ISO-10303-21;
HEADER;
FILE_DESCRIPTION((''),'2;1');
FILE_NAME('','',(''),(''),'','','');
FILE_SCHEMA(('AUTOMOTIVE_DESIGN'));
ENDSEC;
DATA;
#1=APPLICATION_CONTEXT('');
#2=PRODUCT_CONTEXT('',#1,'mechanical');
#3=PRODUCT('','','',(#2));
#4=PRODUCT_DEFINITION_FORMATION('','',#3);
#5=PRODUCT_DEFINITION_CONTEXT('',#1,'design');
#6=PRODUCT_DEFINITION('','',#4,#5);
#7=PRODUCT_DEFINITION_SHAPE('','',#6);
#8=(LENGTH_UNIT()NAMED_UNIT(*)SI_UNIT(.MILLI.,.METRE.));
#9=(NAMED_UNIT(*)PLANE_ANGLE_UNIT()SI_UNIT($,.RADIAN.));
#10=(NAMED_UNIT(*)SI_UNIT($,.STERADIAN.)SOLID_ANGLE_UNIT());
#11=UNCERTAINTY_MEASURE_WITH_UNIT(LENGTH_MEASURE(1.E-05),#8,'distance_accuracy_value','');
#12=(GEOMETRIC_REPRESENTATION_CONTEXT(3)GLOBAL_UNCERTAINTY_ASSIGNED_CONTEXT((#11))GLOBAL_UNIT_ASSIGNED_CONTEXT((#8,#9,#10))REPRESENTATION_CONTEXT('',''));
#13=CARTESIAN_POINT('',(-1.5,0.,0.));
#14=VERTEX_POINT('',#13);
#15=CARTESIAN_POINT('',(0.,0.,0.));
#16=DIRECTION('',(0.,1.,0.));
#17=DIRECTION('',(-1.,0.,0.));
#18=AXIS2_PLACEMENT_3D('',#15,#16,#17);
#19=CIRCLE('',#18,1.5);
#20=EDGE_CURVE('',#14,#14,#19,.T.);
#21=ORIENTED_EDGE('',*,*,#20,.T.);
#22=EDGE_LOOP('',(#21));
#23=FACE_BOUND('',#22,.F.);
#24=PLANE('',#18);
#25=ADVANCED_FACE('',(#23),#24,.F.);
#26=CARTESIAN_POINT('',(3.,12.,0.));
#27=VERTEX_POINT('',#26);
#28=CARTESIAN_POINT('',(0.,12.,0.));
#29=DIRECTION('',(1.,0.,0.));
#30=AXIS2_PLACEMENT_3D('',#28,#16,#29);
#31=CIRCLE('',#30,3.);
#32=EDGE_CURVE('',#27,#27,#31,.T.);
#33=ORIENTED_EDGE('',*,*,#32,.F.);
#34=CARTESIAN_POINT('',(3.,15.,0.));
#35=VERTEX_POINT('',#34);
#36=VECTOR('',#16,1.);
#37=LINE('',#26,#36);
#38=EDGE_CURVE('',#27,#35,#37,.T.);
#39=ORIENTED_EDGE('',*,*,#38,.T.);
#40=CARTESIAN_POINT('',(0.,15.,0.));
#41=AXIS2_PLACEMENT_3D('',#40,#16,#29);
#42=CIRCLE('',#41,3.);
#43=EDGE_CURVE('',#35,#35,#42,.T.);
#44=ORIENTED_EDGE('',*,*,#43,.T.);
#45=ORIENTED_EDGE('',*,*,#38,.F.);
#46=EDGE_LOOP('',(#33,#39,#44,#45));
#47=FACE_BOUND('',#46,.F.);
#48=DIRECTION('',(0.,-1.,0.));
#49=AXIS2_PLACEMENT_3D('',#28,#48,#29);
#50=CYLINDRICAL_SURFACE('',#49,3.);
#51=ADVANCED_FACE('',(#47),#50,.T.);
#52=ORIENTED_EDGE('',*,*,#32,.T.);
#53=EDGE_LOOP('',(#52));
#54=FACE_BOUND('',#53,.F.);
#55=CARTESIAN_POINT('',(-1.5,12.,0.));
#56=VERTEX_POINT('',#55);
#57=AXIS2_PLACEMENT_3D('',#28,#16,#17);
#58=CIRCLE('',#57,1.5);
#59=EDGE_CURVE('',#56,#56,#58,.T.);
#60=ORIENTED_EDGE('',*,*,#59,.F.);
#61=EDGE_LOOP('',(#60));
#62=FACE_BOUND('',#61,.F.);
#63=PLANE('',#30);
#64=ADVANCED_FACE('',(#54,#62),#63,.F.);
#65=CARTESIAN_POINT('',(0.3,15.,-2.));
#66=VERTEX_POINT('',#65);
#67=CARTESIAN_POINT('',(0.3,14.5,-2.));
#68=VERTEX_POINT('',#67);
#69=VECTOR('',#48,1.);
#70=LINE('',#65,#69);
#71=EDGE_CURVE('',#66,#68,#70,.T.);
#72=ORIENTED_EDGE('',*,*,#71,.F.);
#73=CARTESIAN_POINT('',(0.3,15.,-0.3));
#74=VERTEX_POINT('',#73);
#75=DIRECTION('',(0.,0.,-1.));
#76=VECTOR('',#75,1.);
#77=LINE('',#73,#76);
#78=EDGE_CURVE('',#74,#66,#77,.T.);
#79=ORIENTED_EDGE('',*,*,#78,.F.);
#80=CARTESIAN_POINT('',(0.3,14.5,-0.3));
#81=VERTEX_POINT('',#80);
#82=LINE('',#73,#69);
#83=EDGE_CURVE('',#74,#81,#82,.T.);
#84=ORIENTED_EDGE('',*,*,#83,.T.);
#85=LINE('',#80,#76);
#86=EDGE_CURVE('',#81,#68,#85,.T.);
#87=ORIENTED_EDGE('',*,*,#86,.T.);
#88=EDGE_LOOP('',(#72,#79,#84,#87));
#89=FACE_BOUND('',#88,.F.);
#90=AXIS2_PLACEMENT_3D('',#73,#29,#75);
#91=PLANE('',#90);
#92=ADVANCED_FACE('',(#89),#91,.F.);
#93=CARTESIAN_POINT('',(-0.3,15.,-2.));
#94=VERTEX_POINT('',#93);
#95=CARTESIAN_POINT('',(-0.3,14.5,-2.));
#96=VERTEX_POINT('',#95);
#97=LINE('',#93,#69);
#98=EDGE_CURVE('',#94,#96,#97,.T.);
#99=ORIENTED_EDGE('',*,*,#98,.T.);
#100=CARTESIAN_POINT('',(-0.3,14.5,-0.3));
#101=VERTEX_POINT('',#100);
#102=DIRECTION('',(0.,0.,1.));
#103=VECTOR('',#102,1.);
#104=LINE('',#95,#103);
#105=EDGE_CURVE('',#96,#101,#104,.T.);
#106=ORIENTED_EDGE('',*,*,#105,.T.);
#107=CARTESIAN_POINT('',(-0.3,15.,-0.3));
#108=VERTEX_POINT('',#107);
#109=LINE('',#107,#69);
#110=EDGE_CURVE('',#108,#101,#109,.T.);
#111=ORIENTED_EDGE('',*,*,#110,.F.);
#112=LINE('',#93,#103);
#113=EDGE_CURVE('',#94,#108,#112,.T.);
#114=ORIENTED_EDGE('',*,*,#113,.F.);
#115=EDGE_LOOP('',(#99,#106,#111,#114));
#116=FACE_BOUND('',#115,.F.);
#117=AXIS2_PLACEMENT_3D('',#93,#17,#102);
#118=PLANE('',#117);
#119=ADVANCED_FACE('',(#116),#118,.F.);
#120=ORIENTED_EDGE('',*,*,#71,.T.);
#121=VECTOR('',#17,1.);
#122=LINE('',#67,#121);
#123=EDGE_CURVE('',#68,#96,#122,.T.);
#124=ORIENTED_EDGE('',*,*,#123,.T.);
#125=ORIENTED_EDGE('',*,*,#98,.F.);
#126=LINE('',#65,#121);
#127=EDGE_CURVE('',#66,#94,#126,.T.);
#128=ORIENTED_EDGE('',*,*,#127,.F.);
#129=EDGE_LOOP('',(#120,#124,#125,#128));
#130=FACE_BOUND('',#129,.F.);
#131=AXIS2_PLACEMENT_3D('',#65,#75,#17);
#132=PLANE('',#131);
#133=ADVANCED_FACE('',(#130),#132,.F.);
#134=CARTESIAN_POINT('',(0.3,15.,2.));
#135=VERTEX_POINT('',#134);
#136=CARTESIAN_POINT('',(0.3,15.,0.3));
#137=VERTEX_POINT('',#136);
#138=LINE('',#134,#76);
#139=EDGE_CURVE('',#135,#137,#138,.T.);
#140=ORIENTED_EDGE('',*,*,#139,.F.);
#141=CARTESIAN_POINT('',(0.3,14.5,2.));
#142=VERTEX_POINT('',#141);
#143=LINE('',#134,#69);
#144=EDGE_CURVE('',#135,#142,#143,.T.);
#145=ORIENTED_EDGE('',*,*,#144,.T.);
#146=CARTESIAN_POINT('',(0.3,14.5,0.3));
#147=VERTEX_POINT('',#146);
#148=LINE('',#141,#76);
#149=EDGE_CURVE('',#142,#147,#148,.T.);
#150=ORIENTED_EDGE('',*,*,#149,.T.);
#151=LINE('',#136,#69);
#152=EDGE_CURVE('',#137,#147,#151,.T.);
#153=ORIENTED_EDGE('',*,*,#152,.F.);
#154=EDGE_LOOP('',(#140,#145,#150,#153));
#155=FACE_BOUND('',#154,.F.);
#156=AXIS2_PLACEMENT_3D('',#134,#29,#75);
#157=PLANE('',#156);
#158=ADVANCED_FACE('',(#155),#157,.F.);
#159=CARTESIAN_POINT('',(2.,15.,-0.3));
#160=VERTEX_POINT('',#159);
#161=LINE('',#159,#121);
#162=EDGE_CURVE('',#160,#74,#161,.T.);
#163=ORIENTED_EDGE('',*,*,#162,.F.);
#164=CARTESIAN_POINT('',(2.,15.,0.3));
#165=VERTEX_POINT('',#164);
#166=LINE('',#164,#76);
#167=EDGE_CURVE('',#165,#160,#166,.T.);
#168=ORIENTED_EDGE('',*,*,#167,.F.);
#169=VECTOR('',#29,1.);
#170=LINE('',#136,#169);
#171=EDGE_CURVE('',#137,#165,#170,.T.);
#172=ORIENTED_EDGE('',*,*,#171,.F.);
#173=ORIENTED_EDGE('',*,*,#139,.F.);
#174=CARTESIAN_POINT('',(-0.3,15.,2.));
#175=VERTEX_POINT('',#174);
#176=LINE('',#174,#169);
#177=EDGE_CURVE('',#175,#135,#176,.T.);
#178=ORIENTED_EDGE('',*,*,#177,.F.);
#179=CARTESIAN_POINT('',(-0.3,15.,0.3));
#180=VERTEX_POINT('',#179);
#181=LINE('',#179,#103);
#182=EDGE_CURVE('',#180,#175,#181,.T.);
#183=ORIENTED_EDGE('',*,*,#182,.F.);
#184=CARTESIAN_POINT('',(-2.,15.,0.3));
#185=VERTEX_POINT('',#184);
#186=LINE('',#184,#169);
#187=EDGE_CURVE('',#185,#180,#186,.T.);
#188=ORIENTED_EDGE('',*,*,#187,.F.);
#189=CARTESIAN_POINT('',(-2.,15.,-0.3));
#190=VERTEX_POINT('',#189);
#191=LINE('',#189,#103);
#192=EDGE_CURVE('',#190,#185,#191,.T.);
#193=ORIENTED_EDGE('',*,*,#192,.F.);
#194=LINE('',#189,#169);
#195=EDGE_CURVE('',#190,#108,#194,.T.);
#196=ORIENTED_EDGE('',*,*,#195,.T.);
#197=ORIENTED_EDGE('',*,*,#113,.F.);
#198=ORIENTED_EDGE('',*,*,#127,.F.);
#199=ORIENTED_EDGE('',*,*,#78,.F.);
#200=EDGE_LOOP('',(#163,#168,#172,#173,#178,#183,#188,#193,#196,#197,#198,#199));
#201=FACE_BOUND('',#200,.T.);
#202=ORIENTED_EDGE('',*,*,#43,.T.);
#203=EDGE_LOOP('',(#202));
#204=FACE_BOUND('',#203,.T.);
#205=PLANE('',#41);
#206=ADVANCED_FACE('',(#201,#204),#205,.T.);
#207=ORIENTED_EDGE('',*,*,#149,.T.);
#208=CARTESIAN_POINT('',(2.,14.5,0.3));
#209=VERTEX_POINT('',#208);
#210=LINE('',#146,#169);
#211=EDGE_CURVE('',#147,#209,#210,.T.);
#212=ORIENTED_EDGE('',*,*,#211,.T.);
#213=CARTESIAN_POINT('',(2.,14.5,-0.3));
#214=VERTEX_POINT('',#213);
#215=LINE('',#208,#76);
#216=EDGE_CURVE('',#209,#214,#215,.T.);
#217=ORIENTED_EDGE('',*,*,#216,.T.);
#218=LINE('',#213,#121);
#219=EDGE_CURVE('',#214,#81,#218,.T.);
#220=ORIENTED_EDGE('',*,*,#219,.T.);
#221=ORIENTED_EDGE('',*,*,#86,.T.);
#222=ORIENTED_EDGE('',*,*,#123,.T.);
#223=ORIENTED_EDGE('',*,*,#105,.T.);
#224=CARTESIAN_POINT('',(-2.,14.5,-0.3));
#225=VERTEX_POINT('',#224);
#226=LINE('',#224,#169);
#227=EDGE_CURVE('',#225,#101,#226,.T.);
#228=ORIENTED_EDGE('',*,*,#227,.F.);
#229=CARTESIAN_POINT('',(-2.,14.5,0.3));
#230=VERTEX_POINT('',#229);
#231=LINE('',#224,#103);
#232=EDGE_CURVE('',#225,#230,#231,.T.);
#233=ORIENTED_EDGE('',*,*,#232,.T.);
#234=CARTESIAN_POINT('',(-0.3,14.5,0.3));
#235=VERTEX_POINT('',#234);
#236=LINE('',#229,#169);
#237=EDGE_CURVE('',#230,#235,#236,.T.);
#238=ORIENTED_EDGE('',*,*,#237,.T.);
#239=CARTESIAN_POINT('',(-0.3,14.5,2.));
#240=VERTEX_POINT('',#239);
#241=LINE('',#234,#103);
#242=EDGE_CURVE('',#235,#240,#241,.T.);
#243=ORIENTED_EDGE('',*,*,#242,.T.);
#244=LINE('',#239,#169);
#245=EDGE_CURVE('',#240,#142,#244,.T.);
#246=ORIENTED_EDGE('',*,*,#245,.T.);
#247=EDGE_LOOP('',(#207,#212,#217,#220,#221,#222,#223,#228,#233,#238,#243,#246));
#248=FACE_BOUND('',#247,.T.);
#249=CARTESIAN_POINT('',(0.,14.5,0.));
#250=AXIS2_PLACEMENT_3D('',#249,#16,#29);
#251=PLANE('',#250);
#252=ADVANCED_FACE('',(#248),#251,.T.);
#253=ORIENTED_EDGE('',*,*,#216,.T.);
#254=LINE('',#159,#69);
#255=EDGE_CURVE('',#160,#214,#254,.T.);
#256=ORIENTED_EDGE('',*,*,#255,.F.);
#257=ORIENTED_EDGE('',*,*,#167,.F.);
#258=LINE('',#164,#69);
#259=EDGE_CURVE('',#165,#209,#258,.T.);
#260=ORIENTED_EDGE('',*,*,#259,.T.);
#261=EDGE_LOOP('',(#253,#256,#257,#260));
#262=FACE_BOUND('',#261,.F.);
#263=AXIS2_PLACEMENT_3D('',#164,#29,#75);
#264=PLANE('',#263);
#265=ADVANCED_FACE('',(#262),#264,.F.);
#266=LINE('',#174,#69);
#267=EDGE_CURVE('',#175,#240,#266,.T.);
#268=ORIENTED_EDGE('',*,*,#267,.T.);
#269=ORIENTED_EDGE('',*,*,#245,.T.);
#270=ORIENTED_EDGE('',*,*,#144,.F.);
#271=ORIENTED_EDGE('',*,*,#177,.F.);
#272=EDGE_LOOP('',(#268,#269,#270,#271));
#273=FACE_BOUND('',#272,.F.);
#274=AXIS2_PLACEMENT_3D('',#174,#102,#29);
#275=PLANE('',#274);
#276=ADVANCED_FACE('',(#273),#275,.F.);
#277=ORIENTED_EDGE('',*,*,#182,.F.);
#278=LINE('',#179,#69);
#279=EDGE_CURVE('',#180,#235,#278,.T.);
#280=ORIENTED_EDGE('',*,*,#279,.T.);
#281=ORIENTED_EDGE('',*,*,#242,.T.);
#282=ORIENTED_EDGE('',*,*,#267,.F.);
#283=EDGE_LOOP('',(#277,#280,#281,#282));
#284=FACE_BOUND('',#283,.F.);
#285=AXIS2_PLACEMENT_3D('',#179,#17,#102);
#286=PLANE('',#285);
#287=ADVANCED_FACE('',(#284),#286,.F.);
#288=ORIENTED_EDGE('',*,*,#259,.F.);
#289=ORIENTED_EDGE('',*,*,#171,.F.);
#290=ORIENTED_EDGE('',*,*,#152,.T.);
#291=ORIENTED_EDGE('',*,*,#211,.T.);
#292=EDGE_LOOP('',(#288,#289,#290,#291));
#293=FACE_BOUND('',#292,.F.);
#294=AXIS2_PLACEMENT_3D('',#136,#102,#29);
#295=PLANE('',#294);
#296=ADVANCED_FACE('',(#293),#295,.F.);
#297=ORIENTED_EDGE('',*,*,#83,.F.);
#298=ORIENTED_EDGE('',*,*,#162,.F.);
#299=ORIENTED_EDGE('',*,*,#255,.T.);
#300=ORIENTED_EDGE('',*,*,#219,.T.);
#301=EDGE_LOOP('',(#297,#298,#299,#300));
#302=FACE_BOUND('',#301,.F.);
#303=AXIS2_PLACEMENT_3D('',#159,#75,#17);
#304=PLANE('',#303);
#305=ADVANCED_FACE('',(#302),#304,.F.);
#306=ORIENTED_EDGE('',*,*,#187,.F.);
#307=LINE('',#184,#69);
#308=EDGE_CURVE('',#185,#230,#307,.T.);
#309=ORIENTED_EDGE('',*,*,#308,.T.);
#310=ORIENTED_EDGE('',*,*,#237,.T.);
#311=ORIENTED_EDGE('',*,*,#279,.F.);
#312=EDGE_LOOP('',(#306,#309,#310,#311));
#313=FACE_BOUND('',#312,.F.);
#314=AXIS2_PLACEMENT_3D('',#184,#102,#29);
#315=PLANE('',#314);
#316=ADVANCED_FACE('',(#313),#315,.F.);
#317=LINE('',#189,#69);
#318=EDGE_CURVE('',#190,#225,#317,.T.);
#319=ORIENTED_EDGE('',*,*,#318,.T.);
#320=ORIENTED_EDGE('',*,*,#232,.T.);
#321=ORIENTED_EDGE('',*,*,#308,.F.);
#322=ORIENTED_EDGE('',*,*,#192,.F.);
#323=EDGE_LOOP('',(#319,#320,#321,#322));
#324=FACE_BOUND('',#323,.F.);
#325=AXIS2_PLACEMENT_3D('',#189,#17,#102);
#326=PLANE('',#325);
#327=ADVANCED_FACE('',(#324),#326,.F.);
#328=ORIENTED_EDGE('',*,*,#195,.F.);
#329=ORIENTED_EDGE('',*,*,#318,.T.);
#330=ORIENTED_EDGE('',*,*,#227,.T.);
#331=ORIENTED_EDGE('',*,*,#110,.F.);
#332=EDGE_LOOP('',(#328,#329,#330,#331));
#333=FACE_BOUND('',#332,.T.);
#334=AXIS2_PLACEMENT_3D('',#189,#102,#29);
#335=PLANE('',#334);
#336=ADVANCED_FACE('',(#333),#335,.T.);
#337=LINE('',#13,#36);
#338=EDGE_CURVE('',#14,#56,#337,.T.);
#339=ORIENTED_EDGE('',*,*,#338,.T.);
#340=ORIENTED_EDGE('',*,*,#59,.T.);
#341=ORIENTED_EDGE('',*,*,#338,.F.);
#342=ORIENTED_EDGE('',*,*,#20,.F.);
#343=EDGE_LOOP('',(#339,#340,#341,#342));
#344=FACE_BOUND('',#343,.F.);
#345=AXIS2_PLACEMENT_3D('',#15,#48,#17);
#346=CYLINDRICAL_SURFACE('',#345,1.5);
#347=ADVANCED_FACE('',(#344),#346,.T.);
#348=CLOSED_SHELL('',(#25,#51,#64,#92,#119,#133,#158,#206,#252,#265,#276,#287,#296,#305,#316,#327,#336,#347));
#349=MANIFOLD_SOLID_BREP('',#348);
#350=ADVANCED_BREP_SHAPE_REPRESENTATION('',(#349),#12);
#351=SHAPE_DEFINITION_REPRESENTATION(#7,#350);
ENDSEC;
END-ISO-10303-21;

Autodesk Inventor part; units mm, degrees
ref_plane "YZ Plane" through (0, 0, 0) normal (1, 0, 0) x (0, 1, 0)
ref_plane "XZ Plane" through (0, 0, 0) normal (0, 1, 0) x (-1, 0, 0)
ref_plane "XY Plane" through (0, 0, 0) normal (0, 0, 1) x (1, 0, 0)
sketch "Sketch1" plane through (0, 0, 0) normal (0, 1, 0) x (-1, 0, 0)
  circle A0 centre (0, 0) radius 1.5
  dimension "d0" = 3
extrude "Extrusion1" add sketch "Sketch1" along normal blind 12
sketch "Sketch2" plane through (0, 12, 0) normal (0, 1, 0) x (1, 0, 0)
  circle A0 centre (0, 0) radius 3
  dimension "d3" = 6
extrude "Extrusion2" add sketch "Sketch2" along normal blind 3
sketch "Sketch3" plane through (0, 15, 0) normal (0, 1, 0) x (1, 0, 0)
  line L0 (-2, -0.3) -> (-0.3, -0.3)
  line L1 (-0.3, -0.3) -> (-0.3, -2)
  line L2 (-0.3, -2) -> (0.3, -2)
  line L3 (0.3, -2) -> (0.3, -0.3)
  line L4 (0.3, -0.3) -> (2, -0.3)
  line L5 (2, -0.3) -> (2, 0.3)
  line L6 (2, 0.3) -> (0.3, 0.3)
  line L7 (0.3, 0.3) -> (0.3, 2)
  line L8 (0.3, 2) -> (-0.3, 2)
  line L9 (-0.3, 2) -> (-0.3, 0.3)
  line L10 (-2, 0.3) -> (-2, -0.3)
  line L11 (-2, 0.3) -> (-0.3, 0.3)
  circle A0 centre (0, 0) radius 3 projected
  point P0 (0, 0)
  dimension "d19" = 0.3
  dimension "d20" = 0.3
  dimension "d22" = 2
  dimension "d23" = 0
  dimension "d26" = 0.3
  dimension "d27" = 0.3
extrude "Extrusion3" cut sketch "Sketch3" against normal blind 0.5 contours L10 L11 L9 L8 L7 L6 L5 L4 L3 L2 L1 L0
thread "Thread1" size "M3x0.5" class "6g" standard "ANSI Metric M Profile" full length
properties part number "BoltM3-PI" material "PC/ABS Plastic"
